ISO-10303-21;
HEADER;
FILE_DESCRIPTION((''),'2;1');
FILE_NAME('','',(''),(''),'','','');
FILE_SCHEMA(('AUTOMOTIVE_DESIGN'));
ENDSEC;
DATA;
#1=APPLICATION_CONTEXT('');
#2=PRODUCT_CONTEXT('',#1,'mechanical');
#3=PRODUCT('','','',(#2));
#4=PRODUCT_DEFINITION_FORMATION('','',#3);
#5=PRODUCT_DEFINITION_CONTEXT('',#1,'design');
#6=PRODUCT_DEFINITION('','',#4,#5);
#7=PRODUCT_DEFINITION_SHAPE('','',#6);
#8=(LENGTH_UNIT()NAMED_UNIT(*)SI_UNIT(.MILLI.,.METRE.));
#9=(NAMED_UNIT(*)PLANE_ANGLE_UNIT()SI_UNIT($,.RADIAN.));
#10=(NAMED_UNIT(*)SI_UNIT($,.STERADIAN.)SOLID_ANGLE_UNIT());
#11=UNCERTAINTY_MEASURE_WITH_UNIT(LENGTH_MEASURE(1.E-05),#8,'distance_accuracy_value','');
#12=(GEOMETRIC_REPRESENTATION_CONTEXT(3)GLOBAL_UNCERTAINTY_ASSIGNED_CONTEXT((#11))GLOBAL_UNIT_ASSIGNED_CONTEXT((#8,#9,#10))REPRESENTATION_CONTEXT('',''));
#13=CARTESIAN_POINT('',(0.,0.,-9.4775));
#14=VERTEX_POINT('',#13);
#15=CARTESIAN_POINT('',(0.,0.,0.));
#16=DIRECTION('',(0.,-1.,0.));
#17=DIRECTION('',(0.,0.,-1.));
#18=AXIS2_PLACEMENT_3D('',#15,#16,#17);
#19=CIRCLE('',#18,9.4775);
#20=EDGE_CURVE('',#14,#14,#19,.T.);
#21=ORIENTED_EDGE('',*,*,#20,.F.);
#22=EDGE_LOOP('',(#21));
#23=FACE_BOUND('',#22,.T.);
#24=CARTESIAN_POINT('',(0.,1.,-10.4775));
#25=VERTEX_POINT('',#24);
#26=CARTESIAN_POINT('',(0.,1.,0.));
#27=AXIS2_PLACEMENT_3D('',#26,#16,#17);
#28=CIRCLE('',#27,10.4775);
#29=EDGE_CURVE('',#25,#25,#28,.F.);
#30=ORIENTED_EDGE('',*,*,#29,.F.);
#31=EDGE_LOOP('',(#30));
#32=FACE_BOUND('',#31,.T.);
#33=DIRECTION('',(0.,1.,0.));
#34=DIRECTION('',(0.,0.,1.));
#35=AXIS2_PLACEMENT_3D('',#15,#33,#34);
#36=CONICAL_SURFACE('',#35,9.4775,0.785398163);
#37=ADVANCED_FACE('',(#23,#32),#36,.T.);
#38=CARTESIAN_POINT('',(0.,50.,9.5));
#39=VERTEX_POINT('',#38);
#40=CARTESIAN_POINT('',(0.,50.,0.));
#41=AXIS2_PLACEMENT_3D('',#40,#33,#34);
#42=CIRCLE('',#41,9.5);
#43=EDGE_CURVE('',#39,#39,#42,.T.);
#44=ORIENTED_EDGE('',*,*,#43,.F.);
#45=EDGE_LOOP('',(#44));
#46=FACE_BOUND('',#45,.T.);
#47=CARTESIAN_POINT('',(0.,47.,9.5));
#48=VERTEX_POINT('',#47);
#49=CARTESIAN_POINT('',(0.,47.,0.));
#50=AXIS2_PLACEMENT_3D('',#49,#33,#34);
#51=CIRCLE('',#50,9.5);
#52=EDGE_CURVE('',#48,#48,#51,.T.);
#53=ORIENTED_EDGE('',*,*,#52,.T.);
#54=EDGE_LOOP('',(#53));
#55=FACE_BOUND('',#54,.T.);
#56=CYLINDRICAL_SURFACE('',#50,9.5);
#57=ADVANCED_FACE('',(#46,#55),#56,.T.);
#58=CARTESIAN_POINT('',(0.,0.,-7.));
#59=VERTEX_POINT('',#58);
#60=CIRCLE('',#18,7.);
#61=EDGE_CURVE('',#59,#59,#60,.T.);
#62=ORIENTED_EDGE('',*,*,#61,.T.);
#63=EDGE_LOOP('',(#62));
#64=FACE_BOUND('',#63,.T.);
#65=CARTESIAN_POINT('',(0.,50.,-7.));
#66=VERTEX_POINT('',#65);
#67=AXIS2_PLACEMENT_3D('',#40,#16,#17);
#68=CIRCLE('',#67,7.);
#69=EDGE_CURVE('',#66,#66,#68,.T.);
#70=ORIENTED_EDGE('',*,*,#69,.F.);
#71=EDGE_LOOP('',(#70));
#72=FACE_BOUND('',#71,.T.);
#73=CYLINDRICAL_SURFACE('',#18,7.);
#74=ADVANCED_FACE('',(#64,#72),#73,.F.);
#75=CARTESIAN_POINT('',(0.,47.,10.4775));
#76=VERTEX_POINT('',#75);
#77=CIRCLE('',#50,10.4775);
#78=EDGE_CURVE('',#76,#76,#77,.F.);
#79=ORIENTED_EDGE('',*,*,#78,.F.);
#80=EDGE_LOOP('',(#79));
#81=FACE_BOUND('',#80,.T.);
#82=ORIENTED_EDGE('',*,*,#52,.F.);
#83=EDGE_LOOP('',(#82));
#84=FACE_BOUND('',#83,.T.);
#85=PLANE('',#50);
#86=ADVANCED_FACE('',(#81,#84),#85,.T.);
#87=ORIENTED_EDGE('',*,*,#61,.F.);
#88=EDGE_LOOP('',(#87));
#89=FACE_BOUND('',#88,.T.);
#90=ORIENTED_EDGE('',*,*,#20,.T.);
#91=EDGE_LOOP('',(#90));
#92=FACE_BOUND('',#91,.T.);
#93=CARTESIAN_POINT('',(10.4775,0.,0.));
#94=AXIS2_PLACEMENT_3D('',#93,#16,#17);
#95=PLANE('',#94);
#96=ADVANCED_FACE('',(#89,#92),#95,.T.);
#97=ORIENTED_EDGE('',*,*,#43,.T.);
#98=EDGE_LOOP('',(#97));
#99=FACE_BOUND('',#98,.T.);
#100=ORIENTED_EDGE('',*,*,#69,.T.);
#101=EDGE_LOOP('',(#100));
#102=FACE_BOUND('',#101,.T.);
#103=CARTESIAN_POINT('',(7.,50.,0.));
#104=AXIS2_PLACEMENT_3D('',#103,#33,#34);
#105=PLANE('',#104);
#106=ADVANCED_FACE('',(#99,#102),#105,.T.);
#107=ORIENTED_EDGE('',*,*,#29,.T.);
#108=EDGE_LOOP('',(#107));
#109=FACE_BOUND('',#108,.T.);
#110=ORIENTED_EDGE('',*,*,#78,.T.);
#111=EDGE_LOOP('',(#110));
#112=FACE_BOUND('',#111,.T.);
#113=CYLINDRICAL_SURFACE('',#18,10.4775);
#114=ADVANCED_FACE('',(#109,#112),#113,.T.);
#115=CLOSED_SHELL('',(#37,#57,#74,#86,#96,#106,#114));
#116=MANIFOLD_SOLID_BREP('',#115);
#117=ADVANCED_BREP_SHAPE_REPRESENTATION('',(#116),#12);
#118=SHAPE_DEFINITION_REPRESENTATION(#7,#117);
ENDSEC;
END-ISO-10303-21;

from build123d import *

# Parameters (mm, degrees)
SKETCH_1_W          = 3.4775
SKETCH_1_H          = 50
CHAMFER_1_SIZE      = 1
SKETCH_2_OUTSIDE_W  = 34.58
SKETCH_2_OUTSIDE_H  = 34.58
SKETCH_2_OUTSIDE_R  = 9.5
CUT_EXTRUDE_1_DEPTH = 3


with BuildPart() as part:
    # Эскиз1 → Повернуть1 (revolve)
    with BuildSketch(Plane.XY, mode=Mode.PRIVATE) as revolve_1_sk:
        with Locations((8.73875, 25)):
            Rectangle(SKETCH_1_W, SKETCH_1_H)
    revolve(revolve_1_sk.sketch.rotate(Axis((0, 0, 0), (0, 1, 0)), 90), axis=Axis((0, 0, 0), (0, 1, 0)))

    # Фаска1
    chamfer_1_edges = [part.edges().sort_by_distance(p)[0] for p in [
        (0, 0, 10.4775),
    ]]
    chamfer(chamfer_1_edges, length=CHAMFER_1_SIZE)

    # Эскиз2 outside → Вытянуть1 (cut)
    with BuildSketch(Plane(origin=(0, 50, 0), x_dir=(1, 0, 0), z_dir=(0, 1, 0))):
        Rectangle(SKETCH_2_OUTSIDE_W, SKETCH_2_OUTSIDE_H)
        with Locations(Location((0, 0, 0), (0, 0, 270))):
            Circle(SKETCH_2_OUTSIDE_R, mode=Mode.SUBTRACT)
    extrude(amount=-CUT_EXTRUDE_1_DEPTH, mode=Mode.SUBTRACT)


solid = part.part
